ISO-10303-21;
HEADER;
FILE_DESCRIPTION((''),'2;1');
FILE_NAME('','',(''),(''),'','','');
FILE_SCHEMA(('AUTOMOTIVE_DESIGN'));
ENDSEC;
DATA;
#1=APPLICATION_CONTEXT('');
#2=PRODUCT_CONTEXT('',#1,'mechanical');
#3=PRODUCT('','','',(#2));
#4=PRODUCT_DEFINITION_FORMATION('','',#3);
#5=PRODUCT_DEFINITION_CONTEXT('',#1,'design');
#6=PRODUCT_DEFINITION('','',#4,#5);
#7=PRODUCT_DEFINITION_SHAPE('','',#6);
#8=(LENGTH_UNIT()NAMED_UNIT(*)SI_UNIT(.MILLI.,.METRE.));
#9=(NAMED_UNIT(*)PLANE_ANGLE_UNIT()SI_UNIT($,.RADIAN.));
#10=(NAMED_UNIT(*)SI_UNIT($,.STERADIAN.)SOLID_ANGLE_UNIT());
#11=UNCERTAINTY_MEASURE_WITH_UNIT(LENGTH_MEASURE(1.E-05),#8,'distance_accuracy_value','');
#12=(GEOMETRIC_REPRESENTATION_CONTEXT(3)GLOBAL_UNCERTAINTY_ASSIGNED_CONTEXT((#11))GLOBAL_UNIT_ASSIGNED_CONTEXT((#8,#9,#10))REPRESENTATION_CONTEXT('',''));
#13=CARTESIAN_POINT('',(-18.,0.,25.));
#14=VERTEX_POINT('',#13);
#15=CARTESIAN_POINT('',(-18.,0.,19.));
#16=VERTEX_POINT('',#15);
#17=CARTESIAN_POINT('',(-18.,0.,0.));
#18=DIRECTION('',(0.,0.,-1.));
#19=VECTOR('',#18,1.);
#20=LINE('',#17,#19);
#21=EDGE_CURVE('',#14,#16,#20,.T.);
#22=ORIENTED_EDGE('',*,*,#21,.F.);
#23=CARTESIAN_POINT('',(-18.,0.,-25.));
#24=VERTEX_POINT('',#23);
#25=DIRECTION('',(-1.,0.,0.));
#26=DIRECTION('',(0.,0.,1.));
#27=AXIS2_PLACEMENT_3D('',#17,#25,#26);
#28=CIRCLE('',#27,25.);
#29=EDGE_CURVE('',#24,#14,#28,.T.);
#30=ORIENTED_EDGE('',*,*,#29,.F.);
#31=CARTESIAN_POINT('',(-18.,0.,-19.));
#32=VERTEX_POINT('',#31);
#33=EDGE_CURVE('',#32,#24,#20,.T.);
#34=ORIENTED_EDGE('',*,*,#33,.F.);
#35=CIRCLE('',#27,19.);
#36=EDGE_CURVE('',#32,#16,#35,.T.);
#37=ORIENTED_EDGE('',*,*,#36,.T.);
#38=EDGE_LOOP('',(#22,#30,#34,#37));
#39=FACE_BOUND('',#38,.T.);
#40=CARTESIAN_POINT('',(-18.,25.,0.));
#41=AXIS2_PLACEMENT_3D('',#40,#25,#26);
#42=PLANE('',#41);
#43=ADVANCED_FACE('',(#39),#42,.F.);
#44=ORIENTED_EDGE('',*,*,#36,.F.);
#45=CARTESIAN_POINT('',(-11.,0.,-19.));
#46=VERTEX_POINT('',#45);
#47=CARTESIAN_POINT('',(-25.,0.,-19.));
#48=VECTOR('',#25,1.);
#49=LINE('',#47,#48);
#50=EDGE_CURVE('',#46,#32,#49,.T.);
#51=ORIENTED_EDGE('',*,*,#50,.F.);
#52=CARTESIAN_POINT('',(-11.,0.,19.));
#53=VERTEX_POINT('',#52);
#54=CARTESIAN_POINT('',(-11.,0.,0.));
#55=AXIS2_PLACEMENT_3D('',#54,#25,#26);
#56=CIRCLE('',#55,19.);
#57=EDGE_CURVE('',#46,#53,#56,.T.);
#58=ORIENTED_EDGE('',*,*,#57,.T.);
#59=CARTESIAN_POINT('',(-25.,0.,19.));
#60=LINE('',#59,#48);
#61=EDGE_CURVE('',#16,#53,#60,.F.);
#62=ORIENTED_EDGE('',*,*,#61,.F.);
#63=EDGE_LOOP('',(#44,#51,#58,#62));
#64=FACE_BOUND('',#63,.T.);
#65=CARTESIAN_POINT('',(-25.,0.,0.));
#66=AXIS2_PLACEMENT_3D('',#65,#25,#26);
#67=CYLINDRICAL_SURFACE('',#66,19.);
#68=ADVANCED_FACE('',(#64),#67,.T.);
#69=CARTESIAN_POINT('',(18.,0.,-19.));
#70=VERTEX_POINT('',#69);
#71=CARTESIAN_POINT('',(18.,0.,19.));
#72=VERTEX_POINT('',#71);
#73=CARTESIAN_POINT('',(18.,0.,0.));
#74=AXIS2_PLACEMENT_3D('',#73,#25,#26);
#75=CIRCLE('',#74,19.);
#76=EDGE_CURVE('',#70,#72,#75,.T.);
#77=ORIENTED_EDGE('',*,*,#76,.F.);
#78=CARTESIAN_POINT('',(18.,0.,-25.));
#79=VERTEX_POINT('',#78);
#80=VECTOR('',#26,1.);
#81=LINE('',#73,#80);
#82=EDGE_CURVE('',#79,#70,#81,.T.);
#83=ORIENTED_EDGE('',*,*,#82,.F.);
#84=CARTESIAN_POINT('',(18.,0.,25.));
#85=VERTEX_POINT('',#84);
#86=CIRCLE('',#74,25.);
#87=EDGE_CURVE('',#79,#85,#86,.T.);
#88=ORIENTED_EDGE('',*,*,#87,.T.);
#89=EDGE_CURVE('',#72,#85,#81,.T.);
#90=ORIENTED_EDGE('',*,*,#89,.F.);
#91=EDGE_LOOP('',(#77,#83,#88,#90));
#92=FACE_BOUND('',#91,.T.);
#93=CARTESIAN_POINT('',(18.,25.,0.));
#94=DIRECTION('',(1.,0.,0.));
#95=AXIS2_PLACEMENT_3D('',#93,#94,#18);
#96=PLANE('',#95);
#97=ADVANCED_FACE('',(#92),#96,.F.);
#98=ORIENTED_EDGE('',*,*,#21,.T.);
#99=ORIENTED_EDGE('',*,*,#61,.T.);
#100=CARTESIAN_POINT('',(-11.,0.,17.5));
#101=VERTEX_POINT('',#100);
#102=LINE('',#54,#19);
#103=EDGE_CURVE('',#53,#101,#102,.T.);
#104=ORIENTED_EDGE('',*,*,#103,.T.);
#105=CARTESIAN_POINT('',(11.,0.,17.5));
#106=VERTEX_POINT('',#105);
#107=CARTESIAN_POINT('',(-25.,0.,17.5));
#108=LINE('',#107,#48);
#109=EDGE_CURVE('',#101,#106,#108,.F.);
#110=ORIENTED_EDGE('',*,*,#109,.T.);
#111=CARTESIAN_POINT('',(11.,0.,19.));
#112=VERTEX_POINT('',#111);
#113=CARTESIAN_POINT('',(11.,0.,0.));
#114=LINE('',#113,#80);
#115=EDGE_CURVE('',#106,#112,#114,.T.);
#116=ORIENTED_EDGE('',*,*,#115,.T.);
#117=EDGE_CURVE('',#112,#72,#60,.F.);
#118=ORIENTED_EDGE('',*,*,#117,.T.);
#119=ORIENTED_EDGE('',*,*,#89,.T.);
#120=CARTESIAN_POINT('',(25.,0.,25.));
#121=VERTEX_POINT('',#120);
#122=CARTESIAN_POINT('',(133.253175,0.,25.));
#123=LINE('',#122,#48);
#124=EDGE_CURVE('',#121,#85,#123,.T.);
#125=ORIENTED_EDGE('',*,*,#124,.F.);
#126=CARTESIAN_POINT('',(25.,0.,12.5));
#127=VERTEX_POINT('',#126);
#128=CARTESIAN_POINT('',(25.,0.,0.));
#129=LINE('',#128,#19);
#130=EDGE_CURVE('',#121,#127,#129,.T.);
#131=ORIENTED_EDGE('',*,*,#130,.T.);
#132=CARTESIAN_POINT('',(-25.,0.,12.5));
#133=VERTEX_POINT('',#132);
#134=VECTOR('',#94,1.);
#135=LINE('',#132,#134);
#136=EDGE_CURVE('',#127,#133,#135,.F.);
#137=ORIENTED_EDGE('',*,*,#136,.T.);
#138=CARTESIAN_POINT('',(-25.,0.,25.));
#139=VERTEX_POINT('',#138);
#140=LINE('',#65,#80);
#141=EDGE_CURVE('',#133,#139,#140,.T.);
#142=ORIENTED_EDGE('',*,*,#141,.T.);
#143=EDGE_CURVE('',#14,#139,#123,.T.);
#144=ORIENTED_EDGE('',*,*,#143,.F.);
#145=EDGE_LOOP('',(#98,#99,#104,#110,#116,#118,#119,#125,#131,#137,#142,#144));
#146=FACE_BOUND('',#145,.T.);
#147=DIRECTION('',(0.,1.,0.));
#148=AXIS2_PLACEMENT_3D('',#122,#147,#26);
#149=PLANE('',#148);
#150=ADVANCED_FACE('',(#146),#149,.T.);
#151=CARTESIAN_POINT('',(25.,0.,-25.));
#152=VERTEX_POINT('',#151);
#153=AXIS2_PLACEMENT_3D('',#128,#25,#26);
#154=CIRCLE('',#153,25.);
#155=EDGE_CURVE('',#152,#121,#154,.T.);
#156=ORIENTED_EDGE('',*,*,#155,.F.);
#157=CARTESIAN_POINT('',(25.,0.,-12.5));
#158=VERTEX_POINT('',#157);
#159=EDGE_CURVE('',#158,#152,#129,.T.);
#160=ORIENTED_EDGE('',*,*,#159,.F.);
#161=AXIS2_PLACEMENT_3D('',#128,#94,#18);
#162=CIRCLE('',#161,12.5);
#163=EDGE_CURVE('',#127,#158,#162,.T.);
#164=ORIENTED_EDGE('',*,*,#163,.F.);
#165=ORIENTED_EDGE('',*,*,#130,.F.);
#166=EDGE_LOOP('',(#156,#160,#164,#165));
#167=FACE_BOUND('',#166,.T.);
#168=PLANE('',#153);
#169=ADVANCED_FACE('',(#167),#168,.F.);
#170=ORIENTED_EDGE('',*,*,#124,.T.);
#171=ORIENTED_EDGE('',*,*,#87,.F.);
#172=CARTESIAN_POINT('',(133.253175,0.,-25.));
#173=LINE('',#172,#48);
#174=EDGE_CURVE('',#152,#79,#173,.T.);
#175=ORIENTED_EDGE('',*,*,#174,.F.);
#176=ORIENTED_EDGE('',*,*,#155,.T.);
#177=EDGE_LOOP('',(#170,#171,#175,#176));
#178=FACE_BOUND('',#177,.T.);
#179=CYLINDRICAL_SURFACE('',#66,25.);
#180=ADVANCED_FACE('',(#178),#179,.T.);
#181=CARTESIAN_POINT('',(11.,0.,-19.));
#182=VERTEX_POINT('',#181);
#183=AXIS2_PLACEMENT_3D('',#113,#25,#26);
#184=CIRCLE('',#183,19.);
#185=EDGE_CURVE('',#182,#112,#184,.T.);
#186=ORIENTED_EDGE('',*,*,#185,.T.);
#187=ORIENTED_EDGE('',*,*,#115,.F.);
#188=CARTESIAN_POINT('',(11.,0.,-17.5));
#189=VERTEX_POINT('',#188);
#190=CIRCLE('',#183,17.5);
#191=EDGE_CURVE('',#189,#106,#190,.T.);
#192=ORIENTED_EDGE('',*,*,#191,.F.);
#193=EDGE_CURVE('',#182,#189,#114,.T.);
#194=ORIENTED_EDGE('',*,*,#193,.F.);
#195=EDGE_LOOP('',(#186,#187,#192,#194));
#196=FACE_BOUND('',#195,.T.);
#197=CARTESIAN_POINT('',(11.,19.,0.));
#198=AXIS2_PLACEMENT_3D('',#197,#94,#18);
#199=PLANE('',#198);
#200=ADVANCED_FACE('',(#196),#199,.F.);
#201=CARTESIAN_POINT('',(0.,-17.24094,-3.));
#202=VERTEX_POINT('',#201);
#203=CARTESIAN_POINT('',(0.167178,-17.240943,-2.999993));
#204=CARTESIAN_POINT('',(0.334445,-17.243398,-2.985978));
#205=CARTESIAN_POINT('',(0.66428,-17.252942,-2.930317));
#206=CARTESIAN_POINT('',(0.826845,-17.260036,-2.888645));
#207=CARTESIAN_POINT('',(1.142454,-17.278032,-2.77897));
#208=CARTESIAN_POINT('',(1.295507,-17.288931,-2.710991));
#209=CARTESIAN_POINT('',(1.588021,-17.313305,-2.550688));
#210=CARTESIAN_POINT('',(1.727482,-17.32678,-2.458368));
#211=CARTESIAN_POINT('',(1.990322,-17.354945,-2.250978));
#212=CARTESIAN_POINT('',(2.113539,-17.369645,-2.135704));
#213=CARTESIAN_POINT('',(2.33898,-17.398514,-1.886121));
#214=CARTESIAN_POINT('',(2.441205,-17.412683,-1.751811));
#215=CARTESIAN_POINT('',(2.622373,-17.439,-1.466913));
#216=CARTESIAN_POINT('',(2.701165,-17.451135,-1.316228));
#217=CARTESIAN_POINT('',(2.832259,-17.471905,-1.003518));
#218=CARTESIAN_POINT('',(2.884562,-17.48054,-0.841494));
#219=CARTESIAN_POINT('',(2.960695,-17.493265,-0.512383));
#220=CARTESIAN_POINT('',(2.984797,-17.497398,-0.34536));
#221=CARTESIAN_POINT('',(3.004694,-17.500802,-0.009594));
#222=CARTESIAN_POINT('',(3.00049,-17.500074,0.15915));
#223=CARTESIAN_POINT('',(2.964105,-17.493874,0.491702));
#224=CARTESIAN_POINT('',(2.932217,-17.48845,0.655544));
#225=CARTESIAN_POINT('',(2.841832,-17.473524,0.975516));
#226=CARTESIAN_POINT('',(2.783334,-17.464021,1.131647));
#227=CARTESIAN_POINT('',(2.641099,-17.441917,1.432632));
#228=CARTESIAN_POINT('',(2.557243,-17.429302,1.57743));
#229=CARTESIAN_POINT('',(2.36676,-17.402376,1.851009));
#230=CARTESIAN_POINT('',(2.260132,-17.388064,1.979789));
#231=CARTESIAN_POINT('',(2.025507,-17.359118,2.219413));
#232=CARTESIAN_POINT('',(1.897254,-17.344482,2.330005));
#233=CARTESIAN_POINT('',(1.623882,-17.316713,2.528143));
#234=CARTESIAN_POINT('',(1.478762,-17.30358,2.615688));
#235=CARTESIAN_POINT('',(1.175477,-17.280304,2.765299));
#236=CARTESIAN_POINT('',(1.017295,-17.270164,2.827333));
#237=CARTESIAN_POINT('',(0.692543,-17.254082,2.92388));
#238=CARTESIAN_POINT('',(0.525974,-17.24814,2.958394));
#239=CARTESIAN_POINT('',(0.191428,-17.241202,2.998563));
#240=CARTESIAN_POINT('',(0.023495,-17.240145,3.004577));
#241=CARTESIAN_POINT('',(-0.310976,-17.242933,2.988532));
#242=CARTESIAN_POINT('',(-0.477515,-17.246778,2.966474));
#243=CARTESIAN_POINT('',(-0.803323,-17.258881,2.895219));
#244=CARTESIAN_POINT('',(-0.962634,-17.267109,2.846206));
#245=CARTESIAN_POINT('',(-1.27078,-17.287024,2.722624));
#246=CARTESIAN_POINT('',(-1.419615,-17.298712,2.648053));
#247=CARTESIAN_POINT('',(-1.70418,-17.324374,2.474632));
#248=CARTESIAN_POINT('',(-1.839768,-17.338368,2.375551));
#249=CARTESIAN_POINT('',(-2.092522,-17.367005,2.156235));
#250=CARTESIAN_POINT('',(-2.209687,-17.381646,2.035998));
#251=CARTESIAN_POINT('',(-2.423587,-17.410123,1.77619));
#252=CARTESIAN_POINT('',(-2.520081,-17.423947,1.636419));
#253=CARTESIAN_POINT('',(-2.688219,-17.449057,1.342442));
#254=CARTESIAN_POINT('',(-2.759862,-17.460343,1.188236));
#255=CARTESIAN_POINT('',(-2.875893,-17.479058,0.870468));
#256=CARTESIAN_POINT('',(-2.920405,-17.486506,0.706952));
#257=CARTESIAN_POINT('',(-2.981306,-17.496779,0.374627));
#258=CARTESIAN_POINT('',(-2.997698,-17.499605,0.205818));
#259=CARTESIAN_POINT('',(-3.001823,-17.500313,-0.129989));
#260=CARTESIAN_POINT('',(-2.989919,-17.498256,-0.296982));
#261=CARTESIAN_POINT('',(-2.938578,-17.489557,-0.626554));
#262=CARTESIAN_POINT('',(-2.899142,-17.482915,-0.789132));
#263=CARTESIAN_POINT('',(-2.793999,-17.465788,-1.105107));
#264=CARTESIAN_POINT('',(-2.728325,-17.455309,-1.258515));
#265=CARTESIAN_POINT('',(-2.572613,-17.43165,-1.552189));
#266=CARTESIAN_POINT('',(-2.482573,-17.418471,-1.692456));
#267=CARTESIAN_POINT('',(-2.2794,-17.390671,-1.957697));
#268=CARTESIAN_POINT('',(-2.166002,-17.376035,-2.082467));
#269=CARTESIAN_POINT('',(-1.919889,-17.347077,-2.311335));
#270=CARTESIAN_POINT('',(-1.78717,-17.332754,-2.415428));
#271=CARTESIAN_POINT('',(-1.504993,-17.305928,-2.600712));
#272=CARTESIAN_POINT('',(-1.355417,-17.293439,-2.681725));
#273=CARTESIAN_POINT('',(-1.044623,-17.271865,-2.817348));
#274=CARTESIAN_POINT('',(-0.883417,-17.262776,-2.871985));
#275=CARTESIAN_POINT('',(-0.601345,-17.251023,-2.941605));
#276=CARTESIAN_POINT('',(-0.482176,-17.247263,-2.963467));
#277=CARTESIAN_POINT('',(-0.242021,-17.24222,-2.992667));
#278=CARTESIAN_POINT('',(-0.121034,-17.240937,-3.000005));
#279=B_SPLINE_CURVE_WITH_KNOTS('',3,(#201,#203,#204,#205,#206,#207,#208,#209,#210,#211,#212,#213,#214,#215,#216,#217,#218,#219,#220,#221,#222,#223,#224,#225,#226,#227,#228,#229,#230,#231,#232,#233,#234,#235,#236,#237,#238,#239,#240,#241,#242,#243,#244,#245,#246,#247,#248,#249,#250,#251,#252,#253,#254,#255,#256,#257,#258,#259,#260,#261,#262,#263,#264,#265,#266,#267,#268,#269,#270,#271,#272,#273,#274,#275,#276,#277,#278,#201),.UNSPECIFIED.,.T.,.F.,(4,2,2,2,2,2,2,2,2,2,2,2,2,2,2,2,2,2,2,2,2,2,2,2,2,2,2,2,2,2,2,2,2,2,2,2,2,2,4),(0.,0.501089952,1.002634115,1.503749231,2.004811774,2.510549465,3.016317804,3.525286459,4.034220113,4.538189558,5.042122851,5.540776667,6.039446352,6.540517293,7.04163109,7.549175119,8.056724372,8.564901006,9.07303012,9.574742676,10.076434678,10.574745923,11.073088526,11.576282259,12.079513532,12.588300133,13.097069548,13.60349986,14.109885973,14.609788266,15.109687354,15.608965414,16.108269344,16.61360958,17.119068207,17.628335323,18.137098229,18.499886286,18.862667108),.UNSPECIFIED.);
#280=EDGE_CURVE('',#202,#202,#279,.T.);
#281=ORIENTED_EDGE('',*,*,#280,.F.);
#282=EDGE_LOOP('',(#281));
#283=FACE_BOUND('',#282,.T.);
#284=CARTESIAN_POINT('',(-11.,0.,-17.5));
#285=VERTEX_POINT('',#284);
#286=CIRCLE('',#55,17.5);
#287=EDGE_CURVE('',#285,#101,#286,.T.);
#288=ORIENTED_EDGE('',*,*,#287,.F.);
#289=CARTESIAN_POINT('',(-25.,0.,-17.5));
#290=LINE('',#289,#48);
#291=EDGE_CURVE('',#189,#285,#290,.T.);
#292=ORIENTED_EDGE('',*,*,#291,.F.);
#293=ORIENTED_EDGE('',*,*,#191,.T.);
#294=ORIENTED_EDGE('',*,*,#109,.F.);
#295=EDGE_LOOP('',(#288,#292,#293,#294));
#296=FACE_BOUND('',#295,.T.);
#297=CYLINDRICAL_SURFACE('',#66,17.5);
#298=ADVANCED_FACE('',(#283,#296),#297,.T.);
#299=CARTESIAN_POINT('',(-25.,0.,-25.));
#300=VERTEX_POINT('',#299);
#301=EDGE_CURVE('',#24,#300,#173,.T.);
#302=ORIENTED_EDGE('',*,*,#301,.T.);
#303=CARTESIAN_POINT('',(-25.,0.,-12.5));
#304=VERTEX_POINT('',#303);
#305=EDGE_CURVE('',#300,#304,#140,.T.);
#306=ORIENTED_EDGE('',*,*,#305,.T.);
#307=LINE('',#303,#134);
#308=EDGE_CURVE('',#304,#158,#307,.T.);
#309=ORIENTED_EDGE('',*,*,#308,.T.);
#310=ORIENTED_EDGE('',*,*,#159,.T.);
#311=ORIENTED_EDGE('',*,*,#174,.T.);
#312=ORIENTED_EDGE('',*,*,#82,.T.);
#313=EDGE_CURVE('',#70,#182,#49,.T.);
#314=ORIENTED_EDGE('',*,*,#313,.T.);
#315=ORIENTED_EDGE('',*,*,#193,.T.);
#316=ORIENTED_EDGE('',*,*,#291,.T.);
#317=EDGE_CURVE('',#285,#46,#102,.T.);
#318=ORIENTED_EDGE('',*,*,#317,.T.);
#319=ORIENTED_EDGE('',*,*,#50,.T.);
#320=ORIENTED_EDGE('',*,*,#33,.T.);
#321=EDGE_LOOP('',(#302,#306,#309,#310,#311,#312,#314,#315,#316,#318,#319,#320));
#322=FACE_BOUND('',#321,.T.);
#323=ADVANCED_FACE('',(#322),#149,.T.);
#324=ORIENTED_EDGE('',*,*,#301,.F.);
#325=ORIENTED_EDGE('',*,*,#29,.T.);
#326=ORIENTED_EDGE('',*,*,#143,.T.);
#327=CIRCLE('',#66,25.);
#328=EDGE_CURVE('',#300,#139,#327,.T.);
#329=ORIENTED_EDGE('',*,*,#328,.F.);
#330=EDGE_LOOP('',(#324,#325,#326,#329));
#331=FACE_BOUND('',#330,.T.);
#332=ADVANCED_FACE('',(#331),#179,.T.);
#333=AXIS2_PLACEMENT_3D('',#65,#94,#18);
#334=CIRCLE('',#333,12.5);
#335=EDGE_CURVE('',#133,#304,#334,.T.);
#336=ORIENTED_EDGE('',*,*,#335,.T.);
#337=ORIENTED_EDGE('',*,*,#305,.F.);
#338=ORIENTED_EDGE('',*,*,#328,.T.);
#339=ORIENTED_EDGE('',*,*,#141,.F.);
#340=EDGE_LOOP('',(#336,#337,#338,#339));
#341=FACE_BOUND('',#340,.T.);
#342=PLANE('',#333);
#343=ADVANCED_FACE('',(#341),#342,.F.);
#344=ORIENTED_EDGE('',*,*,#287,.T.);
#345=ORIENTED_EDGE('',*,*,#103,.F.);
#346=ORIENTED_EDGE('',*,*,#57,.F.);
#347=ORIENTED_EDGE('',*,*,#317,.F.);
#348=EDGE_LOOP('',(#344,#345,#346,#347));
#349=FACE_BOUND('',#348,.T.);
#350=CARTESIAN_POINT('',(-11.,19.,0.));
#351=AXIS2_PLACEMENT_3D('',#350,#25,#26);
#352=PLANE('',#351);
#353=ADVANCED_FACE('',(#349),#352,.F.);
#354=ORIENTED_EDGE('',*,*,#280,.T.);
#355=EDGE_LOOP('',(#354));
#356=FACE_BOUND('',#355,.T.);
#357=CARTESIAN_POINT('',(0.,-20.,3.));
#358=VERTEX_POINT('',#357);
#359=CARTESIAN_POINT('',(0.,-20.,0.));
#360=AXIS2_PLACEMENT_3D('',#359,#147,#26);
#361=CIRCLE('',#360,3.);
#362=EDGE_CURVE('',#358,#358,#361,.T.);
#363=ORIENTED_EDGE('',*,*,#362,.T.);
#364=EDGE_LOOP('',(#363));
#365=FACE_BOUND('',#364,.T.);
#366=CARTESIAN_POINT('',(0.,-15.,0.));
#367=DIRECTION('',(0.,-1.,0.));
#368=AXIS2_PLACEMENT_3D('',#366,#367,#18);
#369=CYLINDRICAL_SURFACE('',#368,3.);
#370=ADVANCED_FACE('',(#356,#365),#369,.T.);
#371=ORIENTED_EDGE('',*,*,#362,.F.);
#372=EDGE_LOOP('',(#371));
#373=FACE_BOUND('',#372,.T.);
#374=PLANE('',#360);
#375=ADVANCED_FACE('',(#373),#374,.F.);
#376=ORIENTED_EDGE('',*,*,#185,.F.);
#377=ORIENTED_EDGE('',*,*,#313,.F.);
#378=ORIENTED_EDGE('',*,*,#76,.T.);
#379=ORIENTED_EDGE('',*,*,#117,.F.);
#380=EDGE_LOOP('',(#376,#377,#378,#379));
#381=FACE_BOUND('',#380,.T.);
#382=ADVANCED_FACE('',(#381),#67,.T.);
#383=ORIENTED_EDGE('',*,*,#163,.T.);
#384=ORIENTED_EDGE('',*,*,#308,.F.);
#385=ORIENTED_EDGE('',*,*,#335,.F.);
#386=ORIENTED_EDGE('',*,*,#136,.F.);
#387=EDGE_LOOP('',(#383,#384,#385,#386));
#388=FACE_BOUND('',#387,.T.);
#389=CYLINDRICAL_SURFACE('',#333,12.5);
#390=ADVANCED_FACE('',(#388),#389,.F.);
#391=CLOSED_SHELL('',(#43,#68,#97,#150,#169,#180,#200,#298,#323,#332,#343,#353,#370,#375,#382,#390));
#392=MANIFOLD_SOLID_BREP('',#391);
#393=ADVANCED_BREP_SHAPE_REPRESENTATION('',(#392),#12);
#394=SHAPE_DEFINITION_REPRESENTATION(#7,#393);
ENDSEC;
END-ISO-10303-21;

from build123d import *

# Parameters (mm, degrees)
SKETCH2_R               = 12.5
CUT_EXTRUDE1_DEPTH      = 62.23724357
CUT_EXTRUDE4_DEPTH      = 62.23724357
CUT_EXTRUDE4_DEPTH_BACK = 62.23724357
SKETCH5_R               = 3
BOSS_EXTRUDE1_DEPTH     = 2.5


with BuildPart() as part:
    # Sketch1 → Revolve1 (revolve)
    with BuildSketch(Plane.XY, mode=Mode.PRIVATE) as revolve1_sk:
        Polygon((-25, 0), (25, 0), (25, 25), (18, 25), (18, 19), (11, 19), (11, 17.5), (-11, 17.5), (-11, 19), (-18, 19), (-18, 25), (-25, 25), align=None)
    revolve(revolve1_sk.sketch.rotate(Axis((-25, 0, 0), (1, 0, 0)), 90), axis=Axis((-25, 0, 0), (1, 0, 0)))

    # Sketch2 → Cut-Extrude1 (cut, through all)
    with BuildSketch(Plane(origin=(25, 0, 0), x_dir=(0, 0, -1), z_dir=(1, 0, 0))):
        Circle(SKETCH2_R)
    extrude(amount=-CUT_EXTRUDE1_DEPTH, mode=Mode.SUBTRACT)

    # Sketch3 → Cut-Extrude4 (cut, two sides: drawn at the far end of the back side and taken through both)
    with BuildSketch(Plane(origin=(25, 0, 0), x_dir=(0, 0, -1), z_dir=(1, 0, 0)).offset(-CUT_EXTRUDE4_DEPTH_BACK)):
        Polygon((-146.803398875, 0), (-25, 0), (25, 0), (146.803398875, 0), (146.803398875, 243.60679775), (-146.803398875, 243.60679775), align=None)
    extrude(amount=CUT_EXTRUDE4_DEPTH + CUT_EXTRUDE4_DEPTH_BACK, mode=Mode.SUBTRACT)

    # Sketch5 → Boss-Extrude1 (add, symmetric)
    with BuildSketch(Plane(origin=(0, -17.5, 0), x_dir=(1, 0, 0), z_dir=(0, 1, 0))):
        with Locations(Location((0, 0, 0), (0, 0, 90))):
            Circle(SKETCH5_R)
    extrude(amount=BOSS_EXTRUDE1_DEPTH, both=True)


solid = part.part
